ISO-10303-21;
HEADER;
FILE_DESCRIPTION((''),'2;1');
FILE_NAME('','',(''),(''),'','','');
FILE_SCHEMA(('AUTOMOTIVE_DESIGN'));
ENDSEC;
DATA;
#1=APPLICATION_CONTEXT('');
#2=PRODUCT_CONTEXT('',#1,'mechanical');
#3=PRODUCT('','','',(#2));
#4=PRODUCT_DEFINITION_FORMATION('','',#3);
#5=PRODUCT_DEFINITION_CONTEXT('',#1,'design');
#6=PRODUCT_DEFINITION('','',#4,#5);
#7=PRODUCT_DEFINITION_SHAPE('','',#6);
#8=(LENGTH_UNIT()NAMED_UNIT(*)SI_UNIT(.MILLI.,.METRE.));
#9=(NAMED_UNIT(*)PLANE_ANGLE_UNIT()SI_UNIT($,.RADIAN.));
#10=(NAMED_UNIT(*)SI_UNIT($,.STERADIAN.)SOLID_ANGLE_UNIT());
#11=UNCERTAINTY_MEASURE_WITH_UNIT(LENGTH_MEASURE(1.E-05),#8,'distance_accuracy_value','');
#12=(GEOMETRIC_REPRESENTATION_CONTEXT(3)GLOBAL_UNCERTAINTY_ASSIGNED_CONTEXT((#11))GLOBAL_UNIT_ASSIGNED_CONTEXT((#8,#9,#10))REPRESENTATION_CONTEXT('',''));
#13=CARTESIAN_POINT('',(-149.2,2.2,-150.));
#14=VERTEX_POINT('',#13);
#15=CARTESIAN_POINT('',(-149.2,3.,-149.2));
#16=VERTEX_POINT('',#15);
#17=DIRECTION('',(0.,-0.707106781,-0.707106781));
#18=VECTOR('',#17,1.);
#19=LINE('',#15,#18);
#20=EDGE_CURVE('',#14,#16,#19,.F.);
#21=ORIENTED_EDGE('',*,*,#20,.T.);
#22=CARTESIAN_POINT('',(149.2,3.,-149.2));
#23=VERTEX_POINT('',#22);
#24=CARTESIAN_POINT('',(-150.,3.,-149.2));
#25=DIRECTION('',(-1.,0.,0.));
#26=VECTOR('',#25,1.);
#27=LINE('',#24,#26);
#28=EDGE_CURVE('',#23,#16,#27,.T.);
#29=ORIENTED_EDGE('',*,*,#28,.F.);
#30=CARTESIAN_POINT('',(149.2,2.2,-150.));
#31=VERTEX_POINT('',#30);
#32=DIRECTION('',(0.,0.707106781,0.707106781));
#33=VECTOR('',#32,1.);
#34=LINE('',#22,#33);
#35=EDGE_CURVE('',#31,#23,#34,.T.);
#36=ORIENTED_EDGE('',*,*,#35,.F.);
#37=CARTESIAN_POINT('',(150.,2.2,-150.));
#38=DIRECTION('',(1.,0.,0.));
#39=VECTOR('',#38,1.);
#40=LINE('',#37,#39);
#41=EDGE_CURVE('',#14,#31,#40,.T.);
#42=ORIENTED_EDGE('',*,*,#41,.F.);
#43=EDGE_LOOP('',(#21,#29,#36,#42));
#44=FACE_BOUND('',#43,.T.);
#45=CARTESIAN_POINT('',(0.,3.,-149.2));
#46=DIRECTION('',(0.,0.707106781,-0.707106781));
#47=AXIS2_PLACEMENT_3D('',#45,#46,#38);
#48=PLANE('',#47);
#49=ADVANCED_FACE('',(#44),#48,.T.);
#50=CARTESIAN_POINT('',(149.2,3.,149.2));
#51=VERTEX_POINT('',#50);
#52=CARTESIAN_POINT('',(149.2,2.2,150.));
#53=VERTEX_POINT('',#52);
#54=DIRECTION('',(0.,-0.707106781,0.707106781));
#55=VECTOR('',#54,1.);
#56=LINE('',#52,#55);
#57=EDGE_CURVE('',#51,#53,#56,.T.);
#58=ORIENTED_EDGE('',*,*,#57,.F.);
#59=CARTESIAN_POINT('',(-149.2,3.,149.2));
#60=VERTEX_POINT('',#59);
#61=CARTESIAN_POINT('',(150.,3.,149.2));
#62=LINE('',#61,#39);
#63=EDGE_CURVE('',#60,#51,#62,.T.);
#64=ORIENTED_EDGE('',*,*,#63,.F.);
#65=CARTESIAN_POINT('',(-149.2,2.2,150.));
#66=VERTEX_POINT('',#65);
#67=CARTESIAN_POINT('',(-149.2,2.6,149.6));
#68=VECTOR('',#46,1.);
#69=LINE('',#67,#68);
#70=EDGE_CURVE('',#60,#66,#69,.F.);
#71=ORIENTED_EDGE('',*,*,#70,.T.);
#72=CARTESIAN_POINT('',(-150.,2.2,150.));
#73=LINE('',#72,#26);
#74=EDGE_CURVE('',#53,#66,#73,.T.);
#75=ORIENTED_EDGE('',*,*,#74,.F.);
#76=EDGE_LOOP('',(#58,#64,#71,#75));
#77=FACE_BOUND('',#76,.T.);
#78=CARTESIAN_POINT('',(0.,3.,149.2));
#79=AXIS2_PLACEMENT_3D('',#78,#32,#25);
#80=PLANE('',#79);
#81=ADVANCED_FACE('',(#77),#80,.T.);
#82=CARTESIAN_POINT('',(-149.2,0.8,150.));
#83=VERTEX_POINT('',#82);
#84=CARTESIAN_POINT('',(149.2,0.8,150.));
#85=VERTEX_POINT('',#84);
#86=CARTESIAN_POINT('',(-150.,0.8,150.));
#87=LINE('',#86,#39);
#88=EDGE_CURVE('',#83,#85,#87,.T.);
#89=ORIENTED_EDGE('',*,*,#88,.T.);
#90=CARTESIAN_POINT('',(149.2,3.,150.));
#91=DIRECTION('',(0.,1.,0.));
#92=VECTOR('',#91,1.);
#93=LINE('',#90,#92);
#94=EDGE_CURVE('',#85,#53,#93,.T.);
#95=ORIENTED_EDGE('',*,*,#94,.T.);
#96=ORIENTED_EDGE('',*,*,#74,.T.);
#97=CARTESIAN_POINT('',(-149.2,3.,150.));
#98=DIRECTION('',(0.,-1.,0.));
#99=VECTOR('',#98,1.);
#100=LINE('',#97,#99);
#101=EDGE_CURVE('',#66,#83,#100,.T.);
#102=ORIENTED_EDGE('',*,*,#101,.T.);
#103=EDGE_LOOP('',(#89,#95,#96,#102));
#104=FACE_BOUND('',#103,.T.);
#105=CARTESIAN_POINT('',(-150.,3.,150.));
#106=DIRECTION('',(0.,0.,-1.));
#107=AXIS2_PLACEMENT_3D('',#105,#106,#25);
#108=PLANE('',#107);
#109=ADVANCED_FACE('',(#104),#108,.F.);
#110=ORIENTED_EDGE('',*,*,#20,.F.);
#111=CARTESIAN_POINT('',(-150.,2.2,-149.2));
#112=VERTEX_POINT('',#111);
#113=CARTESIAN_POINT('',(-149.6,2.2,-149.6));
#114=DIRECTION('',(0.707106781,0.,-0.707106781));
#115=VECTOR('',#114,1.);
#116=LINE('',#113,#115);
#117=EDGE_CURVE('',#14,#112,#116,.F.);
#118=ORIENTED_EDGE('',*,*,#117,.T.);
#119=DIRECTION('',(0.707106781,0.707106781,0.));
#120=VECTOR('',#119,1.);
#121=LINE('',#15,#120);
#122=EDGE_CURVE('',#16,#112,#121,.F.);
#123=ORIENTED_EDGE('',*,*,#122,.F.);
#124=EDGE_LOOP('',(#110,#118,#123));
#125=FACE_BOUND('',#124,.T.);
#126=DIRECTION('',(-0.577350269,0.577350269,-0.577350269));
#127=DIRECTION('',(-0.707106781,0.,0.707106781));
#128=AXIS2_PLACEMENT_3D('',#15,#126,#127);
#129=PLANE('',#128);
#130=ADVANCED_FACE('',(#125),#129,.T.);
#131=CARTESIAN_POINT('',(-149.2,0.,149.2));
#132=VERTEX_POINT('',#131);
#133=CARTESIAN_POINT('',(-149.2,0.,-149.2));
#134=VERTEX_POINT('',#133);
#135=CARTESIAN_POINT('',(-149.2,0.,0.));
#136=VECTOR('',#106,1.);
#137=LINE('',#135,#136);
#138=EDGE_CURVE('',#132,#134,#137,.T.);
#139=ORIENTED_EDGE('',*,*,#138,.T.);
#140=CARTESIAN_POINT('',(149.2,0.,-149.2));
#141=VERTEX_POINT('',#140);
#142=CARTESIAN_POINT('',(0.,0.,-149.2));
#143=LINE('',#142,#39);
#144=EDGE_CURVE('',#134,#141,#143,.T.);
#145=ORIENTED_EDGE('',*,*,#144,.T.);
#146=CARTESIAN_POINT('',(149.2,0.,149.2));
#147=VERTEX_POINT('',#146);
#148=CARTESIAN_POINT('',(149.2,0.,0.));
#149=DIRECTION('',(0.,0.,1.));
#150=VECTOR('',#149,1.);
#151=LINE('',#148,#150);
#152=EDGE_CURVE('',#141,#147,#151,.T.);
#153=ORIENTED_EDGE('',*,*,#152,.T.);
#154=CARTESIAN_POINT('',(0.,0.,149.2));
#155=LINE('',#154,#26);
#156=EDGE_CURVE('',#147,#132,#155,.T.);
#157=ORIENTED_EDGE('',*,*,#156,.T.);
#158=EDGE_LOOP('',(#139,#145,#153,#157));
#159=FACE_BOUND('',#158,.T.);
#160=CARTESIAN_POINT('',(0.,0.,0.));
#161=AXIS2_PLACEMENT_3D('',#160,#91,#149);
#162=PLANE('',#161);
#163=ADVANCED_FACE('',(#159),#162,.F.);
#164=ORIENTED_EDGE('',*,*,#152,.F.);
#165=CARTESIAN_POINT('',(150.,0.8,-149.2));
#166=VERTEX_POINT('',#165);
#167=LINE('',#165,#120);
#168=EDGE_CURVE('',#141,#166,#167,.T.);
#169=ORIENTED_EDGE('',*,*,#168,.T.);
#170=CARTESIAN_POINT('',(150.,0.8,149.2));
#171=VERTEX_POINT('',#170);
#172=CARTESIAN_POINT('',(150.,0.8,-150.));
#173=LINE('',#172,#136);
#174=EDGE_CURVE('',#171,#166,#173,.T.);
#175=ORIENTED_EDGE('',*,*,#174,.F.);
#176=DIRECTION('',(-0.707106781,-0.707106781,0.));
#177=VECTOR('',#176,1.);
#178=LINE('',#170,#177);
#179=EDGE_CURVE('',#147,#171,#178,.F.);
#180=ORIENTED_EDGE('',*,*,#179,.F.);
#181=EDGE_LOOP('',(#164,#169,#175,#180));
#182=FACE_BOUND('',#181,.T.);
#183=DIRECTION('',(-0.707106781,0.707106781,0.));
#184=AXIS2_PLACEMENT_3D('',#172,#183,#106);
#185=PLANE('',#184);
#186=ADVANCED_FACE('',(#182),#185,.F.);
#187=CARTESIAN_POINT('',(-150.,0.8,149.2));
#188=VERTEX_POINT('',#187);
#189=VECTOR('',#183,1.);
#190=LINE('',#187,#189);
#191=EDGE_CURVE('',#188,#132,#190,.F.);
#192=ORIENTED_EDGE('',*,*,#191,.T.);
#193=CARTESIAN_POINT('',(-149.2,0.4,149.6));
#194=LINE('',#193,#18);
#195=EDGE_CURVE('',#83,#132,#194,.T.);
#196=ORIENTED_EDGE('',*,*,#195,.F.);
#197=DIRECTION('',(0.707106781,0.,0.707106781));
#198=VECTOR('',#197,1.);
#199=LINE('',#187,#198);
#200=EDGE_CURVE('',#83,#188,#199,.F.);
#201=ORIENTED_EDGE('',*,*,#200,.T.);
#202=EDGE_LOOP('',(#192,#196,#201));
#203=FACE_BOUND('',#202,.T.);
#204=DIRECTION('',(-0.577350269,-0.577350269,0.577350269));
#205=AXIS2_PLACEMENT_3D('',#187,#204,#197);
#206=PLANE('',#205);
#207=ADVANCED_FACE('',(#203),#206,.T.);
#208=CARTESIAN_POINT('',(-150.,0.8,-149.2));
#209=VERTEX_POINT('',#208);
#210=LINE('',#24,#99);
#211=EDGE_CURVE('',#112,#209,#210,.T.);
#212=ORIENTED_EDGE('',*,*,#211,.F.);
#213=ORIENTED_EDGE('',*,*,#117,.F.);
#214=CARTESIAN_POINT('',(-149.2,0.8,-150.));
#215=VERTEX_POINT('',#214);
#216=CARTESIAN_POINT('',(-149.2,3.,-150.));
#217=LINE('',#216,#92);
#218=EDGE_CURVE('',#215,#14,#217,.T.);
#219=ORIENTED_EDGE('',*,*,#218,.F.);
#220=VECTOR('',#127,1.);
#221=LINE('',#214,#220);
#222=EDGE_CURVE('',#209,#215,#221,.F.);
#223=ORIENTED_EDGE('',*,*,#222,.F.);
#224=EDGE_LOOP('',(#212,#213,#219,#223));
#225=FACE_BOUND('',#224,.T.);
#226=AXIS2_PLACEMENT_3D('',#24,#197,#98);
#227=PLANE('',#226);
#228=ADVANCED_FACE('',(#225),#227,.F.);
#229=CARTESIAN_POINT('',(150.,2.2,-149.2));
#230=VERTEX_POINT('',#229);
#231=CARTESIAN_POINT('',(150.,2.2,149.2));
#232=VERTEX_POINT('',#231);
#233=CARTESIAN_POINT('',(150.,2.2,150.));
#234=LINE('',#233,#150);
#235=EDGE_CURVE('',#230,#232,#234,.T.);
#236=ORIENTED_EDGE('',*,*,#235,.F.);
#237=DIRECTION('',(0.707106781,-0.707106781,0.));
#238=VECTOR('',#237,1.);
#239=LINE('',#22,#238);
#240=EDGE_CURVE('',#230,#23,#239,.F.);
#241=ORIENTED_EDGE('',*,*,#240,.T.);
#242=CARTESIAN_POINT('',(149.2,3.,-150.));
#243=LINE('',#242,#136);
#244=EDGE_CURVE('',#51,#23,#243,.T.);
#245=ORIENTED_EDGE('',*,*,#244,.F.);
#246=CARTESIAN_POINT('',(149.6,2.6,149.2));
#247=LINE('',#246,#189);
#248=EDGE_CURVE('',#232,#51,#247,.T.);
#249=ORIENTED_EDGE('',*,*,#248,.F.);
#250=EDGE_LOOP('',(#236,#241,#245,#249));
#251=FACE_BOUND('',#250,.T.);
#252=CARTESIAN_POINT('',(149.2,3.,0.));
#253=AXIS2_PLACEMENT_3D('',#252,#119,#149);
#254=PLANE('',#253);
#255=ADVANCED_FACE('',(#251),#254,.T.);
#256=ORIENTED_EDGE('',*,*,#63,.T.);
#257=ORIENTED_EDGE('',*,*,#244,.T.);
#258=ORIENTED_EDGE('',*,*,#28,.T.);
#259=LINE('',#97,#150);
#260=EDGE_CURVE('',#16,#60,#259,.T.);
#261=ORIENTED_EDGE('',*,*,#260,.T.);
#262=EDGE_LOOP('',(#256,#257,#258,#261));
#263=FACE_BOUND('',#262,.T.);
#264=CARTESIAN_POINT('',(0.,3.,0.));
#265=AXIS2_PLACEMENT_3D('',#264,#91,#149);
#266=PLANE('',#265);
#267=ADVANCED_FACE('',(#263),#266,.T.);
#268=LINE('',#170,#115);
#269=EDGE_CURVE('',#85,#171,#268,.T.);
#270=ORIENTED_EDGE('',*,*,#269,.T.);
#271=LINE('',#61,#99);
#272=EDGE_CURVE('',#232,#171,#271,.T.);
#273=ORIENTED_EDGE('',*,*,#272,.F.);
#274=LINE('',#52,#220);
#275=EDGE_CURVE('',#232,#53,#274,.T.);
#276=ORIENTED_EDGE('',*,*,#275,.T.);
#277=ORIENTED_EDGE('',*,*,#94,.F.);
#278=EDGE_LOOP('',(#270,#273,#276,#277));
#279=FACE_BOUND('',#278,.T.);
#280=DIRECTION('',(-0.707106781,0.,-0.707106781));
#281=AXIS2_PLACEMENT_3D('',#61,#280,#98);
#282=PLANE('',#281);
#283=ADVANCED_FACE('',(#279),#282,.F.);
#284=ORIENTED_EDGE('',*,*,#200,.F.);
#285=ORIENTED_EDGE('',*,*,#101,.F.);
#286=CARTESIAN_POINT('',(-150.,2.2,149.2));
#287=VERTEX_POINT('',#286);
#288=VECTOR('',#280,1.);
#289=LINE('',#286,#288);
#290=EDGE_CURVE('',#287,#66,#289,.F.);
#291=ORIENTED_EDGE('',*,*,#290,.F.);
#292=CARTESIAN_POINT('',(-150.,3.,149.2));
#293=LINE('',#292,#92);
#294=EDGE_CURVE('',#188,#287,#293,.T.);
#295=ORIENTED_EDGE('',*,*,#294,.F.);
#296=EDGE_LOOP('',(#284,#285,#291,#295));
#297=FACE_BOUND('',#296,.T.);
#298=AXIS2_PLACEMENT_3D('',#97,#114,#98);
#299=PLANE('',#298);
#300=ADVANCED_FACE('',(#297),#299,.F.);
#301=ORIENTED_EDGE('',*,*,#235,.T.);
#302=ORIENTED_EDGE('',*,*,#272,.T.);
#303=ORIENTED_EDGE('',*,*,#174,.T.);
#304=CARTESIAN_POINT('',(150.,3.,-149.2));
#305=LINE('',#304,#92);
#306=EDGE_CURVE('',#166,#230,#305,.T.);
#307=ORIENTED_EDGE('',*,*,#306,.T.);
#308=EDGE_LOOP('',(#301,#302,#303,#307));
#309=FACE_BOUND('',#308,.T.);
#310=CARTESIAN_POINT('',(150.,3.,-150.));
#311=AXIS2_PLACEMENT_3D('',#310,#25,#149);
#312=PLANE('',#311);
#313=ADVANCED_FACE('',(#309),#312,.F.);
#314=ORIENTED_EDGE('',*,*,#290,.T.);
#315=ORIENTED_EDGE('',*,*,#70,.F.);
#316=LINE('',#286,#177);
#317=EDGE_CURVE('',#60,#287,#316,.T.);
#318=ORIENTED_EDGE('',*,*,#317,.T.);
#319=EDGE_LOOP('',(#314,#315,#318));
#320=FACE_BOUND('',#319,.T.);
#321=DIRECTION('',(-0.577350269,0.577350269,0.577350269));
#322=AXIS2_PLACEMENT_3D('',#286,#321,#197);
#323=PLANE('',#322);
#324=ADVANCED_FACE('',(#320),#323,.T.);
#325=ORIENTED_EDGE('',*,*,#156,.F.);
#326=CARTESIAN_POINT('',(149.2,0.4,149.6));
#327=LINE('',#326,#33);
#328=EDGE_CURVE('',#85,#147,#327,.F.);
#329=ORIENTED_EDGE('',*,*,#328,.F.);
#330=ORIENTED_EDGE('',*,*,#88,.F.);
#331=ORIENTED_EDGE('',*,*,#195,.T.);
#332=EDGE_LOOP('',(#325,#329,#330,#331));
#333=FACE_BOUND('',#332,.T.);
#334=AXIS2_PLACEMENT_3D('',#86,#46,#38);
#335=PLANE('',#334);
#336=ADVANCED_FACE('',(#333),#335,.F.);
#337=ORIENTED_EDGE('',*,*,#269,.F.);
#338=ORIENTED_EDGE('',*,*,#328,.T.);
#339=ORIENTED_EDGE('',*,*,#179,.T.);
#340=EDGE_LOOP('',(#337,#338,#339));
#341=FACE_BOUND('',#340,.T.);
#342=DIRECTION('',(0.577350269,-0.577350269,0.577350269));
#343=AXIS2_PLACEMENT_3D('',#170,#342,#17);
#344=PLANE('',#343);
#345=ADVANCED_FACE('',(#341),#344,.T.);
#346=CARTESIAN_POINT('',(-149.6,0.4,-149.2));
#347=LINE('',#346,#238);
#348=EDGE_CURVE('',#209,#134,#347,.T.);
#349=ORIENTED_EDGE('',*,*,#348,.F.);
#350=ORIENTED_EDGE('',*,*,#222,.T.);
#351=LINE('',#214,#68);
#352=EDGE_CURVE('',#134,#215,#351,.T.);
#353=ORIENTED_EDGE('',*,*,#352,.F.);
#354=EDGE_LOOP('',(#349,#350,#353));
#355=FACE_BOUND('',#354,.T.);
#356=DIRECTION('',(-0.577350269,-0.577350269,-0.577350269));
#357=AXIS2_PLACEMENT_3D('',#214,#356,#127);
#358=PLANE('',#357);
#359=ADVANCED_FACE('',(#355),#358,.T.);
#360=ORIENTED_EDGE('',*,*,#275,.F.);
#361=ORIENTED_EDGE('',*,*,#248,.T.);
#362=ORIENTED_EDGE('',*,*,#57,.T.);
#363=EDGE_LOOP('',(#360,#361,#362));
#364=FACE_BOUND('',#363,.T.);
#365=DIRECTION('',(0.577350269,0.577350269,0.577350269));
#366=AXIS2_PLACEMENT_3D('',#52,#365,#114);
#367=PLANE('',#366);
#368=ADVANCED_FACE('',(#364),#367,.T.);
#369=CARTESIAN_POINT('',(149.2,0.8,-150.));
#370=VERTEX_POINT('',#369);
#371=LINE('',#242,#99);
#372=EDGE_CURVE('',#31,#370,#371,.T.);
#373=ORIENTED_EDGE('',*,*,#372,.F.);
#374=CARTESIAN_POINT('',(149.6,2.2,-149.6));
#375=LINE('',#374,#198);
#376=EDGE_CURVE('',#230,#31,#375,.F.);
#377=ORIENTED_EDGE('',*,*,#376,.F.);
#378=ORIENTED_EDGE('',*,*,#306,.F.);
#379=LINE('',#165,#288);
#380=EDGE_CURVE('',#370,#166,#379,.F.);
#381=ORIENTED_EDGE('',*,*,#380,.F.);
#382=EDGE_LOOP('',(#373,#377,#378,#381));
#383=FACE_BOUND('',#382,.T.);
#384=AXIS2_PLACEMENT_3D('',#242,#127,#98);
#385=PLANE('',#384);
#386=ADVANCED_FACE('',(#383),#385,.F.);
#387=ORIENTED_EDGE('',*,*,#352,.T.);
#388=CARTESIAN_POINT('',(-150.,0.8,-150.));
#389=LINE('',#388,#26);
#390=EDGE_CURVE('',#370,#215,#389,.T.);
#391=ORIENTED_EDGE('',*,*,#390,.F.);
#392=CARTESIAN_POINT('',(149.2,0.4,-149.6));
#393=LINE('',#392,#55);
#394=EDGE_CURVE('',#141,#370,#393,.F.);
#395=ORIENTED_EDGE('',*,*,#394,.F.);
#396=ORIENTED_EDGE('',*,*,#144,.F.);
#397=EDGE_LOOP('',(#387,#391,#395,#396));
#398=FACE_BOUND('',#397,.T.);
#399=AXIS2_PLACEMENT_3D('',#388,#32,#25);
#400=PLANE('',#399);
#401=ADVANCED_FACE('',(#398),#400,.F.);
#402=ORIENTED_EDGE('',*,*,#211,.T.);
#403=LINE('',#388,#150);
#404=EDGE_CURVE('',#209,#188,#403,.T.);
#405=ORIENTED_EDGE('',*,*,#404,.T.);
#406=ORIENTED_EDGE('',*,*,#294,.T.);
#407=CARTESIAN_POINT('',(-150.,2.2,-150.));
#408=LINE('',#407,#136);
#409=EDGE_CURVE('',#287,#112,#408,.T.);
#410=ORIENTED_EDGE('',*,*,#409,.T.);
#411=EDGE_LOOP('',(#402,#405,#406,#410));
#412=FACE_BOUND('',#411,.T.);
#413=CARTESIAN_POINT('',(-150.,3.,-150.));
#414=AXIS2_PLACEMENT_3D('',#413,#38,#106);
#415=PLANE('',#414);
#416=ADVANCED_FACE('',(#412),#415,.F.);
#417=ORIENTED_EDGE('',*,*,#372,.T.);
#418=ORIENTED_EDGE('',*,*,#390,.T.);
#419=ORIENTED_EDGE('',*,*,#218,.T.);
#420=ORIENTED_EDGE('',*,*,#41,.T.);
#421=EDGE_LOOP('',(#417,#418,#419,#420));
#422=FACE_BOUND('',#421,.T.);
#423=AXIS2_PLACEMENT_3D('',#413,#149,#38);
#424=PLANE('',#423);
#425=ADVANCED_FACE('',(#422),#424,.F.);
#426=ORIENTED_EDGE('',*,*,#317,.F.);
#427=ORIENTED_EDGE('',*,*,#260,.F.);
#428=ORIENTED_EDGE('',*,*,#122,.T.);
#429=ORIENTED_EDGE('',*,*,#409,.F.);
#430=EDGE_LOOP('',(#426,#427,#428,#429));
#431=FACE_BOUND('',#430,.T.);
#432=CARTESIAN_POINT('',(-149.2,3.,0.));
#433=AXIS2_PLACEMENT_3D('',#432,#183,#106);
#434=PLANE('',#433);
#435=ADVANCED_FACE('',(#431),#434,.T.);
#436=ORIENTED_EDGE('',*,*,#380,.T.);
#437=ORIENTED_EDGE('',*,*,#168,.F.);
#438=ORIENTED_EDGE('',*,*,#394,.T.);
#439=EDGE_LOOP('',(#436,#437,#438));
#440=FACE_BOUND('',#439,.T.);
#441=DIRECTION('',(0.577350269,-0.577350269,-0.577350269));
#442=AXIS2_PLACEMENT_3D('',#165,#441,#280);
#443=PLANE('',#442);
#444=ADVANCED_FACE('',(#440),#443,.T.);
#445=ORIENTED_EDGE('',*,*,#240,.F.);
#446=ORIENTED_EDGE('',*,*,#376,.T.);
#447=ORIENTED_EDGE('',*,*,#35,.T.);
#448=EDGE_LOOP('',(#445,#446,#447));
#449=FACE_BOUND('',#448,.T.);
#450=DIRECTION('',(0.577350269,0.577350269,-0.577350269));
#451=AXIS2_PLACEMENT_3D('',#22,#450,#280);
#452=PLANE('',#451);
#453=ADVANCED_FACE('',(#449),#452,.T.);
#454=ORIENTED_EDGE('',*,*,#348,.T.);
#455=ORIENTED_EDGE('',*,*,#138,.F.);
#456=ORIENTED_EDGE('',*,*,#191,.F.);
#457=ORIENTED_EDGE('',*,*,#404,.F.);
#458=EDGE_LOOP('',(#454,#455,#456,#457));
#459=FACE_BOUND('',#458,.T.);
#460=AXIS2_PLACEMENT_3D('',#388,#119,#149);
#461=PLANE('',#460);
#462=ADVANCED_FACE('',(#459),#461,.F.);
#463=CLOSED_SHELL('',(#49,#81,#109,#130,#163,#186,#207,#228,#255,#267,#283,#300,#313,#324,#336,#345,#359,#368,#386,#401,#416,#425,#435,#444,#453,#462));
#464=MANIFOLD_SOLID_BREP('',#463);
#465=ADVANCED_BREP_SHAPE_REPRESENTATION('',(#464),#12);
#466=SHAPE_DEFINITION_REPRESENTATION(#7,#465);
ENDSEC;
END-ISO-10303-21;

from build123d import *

# Parameters (mm, degrees)
SKETCH1_W           = 300
SKETCH1_H           = 300
BOSS_EXTRUDE1_DEPTH = 3
CHAMFER1_SIZE       = 0.8


with BuildPart() as part:
    # Sketch1 → Boss-Extrude1 (new body)
    with BuildSketch(Plane(origin=(0, 0, 0), x_dir=(1, 0, 0), z_dir=(0, 1, 0))):
        Rectangle(SKETCH1_W, SKETCH1_H)
    extrude(amount=BOSS_EXTRUDE1_DEPTH)

    # Chamfer1
    chamfer1_edges = [part.edges().sort_by_distance(p)[0] for p in [
        (150, 3, 0),
        (0, 3, -150),
        (-150, 3, 0),
        (0, 0, -150),
        (150, 0, 0),
        (0, 0, 150),
        (-150, 0, 0),
        (0, 3, 150),
        (-150, 1.5, -150),
        (150, 1.5, -150),
        (150, 1.5, 150),
        (-150, 1.5, 150),
    ]]
    chamfer(chamfer1_edges, length=CHAMFER1_SIZE)


solid = part.part
